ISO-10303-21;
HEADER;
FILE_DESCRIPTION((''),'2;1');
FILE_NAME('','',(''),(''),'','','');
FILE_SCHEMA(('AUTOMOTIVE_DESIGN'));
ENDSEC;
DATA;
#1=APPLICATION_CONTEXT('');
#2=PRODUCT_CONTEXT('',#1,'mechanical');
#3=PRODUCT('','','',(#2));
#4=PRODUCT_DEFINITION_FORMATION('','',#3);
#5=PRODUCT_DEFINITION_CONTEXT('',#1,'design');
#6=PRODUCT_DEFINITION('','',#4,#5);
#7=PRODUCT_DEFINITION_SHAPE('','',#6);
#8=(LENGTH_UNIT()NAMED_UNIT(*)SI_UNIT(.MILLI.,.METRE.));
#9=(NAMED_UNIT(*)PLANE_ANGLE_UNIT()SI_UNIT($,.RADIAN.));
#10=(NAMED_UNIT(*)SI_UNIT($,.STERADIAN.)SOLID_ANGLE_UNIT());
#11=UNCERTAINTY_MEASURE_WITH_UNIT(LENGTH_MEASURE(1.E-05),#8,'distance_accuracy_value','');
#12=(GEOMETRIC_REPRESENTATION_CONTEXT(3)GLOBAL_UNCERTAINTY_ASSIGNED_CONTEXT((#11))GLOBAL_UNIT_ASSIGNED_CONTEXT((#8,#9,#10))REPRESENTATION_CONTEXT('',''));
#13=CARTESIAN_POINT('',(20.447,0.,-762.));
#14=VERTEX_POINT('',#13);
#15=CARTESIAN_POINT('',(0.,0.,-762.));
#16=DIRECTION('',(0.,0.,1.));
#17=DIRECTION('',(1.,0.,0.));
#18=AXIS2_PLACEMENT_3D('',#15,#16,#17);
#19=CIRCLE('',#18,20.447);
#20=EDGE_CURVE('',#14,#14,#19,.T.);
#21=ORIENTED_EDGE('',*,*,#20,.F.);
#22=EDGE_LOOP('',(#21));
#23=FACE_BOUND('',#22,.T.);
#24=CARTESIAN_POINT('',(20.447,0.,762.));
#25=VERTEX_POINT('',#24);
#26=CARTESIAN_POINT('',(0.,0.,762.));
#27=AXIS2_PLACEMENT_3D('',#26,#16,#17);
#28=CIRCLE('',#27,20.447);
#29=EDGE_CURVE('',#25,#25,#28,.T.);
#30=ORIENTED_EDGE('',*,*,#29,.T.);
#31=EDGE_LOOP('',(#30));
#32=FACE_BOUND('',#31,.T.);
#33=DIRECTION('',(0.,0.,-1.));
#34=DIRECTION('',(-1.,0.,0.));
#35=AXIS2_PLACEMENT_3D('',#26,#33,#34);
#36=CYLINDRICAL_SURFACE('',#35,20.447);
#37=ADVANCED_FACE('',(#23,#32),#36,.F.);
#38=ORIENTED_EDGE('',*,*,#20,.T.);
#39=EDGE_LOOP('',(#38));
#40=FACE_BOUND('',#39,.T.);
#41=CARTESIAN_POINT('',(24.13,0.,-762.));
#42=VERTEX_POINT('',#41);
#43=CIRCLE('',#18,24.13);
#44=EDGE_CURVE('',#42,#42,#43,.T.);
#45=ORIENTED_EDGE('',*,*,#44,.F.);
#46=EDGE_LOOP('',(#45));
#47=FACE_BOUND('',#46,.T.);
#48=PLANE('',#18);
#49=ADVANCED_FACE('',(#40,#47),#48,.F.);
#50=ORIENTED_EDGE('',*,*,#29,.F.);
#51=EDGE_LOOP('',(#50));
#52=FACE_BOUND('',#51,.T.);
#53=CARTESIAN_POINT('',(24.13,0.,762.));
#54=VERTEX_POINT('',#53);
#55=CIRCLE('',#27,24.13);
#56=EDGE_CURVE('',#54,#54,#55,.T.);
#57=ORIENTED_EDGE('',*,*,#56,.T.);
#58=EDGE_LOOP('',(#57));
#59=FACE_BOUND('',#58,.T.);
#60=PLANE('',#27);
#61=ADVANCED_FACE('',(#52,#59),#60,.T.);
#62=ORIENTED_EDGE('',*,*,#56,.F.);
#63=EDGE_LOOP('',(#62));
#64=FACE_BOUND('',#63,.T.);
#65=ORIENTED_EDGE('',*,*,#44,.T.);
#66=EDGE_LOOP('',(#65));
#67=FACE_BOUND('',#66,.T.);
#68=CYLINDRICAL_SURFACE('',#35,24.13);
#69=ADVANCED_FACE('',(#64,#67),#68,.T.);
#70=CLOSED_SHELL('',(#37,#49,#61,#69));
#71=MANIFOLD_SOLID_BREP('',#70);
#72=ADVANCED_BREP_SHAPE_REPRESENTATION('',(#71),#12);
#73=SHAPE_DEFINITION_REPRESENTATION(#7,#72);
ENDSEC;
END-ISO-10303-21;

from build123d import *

# Parameters (mm, degrees)
SKETCH1_R           = 24.13
SKETCH1_R_2         = 20.447
EXTRUDE_THIN1_DEPTH = 762


with BuildPart() as part:
    # Sketch1 → Extrude-Thin1 (new body, symmetric)
    with BuildSketch(Plane.XY):
        Circle(SKETCH1_R)
        Circle(SKETCH1_R_2, mode=Mode.SUBTRACT)
    extrude(amount=EXTRUDE_THIN1_DEPTH, both=True)


solid = part.part
